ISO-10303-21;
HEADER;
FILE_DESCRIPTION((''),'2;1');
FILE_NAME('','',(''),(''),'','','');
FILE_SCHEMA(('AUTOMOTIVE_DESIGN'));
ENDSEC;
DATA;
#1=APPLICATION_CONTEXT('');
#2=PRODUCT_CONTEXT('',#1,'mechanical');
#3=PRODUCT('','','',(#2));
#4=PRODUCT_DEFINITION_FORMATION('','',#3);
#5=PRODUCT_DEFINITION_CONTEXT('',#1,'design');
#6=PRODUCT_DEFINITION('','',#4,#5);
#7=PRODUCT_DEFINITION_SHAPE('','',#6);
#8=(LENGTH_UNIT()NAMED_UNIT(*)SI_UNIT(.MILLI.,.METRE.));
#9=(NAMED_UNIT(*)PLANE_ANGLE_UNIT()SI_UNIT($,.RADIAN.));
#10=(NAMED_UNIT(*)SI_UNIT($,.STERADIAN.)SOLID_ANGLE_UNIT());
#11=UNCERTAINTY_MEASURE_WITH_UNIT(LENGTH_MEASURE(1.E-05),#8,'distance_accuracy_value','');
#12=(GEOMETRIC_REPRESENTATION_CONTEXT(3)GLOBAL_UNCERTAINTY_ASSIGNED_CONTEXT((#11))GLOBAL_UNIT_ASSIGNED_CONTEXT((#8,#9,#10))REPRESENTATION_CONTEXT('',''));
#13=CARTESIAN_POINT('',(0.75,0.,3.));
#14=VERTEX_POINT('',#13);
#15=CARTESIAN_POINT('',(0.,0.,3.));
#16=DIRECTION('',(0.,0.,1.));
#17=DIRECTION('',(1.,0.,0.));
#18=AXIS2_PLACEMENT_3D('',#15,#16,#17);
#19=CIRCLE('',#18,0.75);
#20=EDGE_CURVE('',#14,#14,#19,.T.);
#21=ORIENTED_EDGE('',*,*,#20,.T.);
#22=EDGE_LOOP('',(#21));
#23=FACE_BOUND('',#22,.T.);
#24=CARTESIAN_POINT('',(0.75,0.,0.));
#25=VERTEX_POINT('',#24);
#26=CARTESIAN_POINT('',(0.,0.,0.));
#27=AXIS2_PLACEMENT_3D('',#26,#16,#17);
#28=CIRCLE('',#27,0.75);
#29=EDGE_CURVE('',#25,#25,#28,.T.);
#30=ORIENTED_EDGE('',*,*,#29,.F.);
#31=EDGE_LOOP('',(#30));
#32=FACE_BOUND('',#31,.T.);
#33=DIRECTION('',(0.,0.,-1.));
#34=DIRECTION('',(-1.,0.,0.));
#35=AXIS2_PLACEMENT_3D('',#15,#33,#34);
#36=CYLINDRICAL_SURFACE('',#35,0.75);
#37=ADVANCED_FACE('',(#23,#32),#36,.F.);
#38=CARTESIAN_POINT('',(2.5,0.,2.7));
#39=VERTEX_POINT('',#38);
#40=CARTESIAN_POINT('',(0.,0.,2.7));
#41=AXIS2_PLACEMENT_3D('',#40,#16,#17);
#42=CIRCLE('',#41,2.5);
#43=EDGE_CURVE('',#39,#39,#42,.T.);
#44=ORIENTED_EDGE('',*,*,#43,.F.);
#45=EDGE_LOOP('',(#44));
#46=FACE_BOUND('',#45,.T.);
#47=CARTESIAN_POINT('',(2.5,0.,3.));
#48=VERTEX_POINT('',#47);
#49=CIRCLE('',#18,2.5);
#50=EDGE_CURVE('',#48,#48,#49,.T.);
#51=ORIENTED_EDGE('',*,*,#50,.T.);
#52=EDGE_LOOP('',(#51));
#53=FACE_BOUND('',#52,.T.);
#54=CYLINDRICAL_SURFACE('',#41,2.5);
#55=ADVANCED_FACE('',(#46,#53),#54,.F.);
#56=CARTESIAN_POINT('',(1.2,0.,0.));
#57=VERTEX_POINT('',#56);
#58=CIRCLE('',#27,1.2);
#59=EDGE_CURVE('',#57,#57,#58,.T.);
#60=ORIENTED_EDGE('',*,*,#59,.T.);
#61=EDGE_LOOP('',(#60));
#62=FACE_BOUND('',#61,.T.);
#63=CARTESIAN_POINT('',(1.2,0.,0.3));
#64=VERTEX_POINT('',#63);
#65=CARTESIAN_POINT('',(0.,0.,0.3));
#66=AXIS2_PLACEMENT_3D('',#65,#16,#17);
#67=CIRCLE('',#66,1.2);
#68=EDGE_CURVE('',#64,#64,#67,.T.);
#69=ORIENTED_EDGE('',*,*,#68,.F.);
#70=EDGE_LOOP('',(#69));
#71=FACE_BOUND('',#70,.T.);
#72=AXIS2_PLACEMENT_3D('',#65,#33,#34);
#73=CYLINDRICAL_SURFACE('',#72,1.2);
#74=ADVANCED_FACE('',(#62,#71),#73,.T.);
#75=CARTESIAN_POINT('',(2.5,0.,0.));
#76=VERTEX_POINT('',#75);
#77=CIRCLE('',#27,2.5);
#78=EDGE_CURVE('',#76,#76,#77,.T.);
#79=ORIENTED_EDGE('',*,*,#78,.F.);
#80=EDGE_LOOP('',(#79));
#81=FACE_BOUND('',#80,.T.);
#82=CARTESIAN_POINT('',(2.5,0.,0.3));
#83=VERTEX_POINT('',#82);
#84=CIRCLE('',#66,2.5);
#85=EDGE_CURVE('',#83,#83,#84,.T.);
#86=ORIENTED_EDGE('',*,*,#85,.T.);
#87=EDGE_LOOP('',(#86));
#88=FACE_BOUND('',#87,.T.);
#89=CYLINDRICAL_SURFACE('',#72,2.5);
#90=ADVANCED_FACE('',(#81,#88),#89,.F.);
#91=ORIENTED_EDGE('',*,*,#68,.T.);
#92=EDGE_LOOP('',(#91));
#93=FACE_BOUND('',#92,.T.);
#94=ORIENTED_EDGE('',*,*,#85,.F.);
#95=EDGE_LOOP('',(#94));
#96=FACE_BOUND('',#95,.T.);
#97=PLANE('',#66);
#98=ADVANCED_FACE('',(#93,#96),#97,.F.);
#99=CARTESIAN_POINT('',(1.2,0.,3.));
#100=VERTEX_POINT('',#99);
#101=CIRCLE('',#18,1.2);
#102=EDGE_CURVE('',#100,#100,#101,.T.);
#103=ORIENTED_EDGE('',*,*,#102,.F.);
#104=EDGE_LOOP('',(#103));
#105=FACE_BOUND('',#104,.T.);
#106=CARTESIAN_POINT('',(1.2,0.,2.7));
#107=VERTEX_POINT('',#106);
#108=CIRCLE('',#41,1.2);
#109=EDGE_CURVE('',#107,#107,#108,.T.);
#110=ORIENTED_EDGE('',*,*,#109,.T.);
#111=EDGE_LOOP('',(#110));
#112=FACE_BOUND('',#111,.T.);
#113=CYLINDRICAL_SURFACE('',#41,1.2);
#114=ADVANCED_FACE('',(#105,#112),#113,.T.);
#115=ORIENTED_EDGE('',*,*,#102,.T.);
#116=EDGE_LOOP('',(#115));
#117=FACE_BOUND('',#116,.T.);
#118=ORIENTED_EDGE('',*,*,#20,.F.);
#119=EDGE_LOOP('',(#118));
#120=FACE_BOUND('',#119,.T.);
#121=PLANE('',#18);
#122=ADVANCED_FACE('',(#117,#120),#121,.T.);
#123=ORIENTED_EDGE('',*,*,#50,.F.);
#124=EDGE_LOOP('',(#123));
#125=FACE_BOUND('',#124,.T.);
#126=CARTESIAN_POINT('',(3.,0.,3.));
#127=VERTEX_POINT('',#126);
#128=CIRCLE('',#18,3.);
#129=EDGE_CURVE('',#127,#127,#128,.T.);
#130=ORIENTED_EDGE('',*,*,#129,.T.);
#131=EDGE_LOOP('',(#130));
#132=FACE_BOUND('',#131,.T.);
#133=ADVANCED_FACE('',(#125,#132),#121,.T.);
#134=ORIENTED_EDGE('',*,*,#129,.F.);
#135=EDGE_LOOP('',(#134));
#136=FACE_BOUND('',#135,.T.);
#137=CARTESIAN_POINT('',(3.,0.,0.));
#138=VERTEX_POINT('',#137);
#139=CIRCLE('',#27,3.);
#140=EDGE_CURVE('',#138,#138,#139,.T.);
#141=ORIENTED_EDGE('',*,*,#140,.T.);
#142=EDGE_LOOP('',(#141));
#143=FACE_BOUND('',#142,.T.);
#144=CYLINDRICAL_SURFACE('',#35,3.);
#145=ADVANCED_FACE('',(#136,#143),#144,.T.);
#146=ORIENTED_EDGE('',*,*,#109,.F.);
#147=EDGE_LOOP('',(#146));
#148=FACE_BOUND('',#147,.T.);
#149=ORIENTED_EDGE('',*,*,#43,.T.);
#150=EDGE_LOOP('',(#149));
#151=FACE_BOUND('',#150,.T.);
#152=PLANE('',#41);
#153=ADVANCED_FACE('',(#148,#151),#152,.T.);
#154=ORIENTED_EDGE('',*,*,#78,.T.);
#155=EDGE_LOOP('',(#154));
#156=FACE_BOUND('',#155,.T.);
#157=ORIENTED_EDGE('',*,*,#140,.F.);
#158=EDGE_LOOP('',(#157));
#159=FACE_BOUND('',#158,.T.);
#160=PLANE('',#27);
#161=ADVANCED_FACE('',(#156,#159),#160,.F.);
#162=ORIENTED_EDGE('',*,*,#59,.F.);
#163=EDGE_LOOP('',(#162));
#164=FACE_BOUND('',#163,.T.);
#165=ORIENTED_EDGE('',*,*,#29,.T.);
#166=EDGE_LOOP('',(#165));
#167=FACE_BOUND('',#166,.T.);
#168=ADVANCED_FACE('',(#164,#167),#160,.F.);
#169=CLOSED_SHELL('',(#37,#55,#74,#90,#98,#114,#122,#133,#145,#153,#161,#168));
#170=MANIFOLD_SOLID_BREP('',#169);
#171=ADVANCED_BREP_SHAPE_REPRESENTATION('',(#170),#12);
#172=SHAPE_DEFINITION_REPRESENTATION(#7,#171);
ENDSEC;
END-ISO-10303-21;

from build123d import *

# Parameters (mm, degrees)
SKETCH1_R           = 3
SKETCH1_R_2         = 0.75
BOSS_EXTRUDE1_DEPTH = 3
SKETCH2_R           = 2.5
SKETCH2_R_2         = 1.2
CUT_EXTRUDE1_DEPTH  = 0.3
CUT_EXTRUDE2_START  = -3
SKETCH2_2_R         = 2.5
SKETCH2_2_R_2       = 1.2
CUT_EXTRUDE2_DEPTH  = 0.3


with BuildPart() as part:
    # Sketch1 → Boss-Extrude1 (new body)
    with BuildSketch(Plane.XY):
        Circle(SKETCH1_R)
        Circle(SKETCH1_R_2, mode=Mode.SUBTRACT)
    extrude(amount=BOSS_EXTRUDE1_DEPTH)

    # Sketch2 → Cut-Extrude1 (cut)
    with BuildSketch(Plane.XY.offset(3)):
        Circle(SKETCH2_R)
        Circle(SKETCH2_R_2, mode=Mode.SUBTRACT)
    extrude(amount=-CUT_EXTRUDE1_DEPTH, mode=Mode.SUBTRACT)

    # Sketch2<2> → Cut-Extrude2 (cut)
    with BuildSketch(Plane.XY.offset(3).offset(CUT_EXTRUDE2_START)):
        Circle(SKETCH2_2_R)
        Circle(SKETCH2_2_R_2, mode=Mode.SUBTRACT)
    extrude(amount=CUT_EXTRUDE2_DEPTH, mode=Mode.SUBTRACT)


solid = part.part
